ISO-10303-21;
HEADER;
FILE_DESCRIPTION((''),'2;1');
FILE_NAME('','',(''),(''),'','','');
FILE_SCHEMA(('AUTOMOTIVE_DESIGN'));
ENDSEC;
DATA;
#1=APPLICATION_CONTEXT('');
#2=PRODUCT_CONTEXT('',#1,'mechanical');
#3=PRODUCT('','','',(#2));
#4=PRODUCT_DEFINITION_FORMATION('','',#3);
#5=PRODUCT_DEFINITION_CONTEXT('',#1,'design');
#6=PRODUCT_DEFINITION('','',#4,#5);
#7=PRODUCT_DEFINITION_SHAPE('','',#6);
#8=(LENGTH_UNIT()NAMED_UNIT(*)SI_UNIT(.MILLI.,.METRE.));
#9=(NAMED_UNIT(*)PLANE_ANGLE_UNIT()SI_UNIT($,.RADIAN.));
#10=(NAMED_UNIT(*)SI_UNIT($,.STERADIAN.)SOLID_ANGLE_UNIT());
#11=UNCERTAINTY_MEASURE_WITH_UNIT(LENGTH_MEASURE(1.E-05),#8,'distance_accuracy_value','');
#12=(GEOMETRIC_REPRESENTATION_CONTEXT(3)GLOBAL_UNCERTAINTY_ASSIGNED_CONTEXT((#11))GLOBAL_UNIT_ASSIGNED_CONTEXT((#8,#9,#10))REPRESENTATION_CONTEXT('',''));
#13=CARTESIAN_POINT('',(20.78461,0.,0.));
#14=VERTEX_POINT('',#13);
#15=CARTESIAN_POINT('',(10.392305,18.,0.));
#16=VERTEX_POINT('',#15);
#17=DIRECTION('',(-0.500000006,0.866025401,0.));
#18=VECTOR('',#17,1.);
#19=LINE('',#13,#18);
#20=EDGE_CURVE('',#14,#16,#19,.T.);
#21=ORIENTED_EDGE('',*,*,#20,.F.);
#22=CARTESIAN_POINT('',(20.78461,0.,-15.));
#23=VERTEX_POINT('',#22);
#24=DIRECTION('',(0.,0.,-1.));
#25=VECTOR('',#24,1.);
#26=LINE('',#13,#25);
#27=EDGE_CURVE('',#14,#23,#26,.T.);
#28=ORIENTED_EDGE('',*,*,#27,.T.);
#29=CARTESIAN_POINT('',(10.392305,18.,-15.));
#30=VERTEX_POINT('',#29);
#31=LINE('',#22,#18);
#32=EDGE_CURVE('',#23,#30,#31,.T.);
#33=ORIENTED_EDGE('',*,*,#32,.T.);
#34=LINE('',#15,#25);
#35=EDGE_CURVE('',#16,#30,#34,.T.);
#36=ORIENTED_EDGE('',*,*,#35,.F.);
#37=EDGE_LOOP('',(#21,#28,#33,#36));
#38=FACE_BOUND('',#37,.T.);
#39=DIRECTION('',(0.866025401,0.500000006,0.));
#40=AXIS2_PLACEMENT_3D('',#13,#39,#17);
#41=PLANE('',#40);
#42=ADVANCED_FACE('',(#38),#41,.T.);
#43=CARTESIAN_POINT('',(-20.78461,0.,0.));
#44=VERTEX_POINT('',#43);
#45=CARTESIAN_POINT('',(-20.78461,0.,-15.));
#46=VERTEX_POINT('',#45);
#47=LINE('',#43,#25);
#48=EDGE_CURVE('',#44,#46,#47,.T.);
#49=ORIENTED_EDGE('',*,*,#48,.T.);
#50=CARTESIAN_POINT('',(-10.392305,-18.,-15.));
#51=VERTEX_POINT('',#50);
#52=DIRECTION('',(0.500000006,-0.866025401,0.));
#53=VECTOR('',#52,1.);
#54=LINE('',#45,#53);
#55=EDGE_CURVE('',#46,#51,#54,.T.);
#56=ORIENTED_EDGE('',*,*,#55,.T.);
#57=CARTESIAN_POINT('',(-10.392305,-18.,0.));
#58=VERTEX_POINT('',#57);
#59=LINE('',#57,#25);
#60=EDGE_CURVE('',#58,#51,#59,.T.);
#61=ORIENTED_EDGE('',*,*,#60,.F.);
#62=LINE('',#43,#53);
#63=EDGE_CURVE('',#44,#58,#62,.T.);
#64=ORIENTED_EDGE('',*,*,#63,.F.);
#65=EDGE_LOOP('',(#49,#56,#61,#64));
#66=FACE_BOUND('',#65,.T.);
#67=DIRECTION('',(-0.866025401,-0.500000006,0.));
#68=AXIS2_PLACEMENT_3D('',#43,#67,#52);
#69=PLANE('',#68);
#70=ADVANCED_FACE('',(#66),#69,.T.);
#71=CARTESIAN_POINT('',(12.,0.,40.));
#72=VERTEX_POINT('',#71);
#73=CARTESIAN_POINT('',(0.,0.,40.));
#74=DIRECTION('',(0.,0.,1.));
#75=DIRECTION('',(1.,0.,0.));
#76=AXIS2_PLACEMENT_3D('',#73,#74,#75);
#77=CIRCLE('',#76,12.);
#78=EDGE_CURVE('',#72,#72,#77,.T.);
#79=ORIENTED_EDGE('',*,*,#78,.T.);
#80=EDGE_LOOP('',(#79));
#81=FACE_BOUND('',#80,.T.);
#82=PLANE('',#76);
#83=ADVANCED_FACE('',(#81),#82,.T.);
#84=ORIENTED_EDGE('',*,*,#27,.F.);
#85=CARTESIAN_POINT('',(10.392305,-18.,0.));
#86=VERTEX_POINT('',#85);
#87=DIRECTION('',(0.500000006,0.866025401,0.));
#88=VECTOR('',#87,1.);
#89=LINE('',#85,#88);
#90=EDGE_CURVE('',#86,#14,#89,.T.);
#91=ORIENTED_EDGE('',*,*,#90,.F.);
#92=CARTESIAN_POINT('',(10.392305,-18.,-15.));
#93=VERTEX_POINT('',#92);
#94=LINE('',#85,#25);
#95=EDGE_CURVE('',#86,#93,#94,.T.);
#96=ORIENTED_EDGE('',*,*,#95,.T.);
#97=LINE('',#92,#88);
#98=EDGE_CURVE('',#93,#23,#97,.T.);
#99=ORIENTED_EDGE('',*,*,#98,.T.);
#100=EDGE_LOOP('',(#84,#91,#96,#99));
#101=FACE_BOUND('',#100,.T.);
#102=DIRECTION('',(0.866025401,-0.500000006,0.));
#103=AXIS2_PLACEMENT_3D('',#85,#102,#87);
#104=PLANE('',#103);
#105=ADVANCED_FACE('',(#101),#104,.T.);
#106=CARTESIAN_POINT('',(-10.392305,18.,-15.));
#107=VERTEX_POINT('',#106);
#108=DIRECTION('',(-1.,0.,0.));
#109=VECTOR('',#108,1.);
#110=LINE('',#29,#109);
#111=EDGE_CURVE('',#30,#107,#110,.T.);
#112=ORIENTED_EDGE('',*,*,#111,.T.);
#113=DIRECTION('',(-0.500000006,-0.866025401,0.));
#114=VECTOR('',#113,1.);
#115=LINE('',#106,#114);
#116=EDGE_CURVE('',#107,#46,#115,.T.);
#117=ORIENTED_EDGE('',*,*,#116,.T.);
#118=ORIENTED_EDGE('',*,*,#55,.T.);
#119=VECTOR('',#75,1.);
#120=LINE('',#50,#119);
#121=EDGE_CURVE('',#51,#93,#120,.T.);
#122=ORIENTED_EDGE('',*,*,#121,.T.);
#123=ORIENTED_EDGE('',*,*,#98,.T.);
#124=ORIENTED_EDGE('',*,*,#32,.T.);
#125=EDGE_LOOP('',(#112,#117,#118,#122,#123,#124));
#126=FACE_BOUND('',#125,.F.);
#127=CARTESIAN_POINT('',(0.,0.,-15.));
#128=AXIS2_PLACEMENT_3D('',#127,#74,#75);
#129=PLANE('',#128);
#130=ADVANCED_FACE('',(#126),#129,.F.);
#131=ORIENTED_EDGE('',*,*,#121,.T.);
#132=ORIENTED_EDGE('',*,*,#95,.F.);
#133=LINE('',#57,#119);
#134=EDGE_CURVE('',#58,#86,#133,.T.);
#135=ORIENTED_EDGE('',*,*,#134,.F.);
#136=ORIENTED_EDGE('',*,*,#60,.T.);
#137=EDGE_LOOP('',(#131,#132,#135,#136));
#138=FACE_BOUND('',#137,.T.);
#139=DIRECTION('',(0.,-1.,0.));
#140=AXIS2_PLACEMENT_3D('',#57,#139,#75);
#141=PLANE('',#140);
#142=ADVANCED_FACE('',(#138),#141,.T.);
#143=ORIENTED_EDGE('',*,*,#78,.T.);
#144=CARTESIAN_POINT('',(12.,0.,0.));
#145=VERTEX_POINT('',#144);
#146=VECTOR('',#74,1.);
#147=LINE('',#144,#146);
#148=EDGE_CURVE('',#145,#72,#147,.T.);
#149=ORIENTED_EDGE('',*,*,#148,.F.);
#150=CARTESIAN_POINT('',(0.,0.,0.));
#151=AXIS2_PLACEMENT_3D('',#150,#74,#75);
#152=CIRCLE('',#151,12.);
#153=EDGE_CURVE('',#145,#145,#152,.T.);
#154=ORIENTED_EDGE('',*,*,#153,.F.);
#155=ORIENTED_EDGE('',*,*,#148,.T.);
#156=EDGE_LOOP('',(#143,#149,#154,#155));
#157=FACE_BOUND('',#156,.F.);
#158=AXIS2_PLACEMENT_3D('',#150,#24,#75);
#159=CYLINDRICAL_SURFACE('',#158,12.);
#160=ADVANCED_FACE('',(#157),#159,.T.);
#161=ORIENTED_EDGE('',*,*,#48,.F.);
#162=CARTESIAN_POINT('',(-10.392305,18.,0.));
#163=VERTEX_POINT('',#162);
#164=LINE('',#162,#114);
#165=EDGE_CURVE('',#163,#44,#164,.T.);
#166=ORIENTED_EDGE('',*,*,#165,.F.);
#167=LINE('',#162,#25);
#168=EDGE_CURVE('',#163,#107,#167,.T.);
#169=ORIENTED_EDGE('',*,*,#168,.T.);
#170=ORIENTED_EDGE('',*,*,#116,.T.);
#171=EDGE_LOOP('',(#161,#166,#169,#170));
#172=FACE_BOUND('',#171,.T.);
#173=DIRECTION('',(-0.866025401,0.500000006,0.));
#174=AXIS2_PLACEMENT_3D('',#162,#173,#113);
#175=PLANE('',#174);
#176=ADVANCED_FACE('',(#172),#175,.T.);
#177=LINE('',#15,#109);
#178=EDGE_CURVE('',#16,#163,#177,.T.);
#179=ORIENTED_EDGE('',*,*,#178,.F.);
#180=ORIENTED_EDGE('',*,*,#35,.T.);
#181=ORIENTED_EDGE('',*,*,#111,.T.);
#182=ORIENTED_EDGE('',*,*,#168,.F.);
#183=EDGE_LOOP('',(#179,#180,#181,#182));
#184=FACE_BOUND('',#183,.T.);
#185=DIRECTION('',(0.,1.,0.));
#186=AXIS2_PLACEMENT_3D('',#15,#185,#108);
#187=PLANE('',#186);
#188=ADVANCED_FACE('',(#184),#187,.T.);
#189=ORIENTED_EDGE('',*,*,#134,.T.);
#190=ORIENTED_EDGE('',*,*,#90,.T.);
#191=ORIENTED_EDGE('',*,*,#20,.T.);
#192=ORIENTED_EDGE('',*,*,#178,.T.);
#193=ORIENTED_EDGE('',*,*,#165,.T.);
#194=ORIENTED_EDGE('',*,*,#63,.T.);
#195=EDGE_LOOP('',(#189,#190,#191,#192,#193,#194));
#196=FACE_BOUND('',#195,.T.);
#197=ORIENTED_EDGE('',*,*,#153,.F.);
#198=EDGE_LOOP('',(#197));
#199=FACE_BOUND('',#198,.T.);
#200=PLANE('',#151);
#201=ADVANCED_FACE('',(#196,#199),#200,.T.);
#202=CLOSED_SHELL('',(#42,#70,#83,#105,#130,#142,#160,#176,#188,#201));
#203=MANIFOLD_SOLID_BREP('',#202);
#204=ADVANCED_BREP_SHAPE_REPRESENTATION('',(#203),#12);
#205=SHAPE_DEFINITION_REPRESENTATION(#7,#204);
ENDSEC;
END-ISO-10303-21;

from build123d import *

# Parameters (mm, degrees)
F0_R     = 12
F1_DEPTH = 40
F3_DEPTH = 15


with BuildPart() as f1:
    # F0 (on Top) → F1 (new body)
    with BuildSketch(Plane.XY):
        Circle(F0_R)
    extrude(amount=F1_DEPTH)

    # F2 (on Top) → F3 (join)
    with BuildSketch(Plane.XY):
        Polygon((20.78461, 0), (10.392305, 18), (-10.392305, 18), (-20.78461, 0), (-10.392305, -18), (10.392305, -18), align=None)
    extrude(amount=-F3_DEPTH)


solid = f1.part
